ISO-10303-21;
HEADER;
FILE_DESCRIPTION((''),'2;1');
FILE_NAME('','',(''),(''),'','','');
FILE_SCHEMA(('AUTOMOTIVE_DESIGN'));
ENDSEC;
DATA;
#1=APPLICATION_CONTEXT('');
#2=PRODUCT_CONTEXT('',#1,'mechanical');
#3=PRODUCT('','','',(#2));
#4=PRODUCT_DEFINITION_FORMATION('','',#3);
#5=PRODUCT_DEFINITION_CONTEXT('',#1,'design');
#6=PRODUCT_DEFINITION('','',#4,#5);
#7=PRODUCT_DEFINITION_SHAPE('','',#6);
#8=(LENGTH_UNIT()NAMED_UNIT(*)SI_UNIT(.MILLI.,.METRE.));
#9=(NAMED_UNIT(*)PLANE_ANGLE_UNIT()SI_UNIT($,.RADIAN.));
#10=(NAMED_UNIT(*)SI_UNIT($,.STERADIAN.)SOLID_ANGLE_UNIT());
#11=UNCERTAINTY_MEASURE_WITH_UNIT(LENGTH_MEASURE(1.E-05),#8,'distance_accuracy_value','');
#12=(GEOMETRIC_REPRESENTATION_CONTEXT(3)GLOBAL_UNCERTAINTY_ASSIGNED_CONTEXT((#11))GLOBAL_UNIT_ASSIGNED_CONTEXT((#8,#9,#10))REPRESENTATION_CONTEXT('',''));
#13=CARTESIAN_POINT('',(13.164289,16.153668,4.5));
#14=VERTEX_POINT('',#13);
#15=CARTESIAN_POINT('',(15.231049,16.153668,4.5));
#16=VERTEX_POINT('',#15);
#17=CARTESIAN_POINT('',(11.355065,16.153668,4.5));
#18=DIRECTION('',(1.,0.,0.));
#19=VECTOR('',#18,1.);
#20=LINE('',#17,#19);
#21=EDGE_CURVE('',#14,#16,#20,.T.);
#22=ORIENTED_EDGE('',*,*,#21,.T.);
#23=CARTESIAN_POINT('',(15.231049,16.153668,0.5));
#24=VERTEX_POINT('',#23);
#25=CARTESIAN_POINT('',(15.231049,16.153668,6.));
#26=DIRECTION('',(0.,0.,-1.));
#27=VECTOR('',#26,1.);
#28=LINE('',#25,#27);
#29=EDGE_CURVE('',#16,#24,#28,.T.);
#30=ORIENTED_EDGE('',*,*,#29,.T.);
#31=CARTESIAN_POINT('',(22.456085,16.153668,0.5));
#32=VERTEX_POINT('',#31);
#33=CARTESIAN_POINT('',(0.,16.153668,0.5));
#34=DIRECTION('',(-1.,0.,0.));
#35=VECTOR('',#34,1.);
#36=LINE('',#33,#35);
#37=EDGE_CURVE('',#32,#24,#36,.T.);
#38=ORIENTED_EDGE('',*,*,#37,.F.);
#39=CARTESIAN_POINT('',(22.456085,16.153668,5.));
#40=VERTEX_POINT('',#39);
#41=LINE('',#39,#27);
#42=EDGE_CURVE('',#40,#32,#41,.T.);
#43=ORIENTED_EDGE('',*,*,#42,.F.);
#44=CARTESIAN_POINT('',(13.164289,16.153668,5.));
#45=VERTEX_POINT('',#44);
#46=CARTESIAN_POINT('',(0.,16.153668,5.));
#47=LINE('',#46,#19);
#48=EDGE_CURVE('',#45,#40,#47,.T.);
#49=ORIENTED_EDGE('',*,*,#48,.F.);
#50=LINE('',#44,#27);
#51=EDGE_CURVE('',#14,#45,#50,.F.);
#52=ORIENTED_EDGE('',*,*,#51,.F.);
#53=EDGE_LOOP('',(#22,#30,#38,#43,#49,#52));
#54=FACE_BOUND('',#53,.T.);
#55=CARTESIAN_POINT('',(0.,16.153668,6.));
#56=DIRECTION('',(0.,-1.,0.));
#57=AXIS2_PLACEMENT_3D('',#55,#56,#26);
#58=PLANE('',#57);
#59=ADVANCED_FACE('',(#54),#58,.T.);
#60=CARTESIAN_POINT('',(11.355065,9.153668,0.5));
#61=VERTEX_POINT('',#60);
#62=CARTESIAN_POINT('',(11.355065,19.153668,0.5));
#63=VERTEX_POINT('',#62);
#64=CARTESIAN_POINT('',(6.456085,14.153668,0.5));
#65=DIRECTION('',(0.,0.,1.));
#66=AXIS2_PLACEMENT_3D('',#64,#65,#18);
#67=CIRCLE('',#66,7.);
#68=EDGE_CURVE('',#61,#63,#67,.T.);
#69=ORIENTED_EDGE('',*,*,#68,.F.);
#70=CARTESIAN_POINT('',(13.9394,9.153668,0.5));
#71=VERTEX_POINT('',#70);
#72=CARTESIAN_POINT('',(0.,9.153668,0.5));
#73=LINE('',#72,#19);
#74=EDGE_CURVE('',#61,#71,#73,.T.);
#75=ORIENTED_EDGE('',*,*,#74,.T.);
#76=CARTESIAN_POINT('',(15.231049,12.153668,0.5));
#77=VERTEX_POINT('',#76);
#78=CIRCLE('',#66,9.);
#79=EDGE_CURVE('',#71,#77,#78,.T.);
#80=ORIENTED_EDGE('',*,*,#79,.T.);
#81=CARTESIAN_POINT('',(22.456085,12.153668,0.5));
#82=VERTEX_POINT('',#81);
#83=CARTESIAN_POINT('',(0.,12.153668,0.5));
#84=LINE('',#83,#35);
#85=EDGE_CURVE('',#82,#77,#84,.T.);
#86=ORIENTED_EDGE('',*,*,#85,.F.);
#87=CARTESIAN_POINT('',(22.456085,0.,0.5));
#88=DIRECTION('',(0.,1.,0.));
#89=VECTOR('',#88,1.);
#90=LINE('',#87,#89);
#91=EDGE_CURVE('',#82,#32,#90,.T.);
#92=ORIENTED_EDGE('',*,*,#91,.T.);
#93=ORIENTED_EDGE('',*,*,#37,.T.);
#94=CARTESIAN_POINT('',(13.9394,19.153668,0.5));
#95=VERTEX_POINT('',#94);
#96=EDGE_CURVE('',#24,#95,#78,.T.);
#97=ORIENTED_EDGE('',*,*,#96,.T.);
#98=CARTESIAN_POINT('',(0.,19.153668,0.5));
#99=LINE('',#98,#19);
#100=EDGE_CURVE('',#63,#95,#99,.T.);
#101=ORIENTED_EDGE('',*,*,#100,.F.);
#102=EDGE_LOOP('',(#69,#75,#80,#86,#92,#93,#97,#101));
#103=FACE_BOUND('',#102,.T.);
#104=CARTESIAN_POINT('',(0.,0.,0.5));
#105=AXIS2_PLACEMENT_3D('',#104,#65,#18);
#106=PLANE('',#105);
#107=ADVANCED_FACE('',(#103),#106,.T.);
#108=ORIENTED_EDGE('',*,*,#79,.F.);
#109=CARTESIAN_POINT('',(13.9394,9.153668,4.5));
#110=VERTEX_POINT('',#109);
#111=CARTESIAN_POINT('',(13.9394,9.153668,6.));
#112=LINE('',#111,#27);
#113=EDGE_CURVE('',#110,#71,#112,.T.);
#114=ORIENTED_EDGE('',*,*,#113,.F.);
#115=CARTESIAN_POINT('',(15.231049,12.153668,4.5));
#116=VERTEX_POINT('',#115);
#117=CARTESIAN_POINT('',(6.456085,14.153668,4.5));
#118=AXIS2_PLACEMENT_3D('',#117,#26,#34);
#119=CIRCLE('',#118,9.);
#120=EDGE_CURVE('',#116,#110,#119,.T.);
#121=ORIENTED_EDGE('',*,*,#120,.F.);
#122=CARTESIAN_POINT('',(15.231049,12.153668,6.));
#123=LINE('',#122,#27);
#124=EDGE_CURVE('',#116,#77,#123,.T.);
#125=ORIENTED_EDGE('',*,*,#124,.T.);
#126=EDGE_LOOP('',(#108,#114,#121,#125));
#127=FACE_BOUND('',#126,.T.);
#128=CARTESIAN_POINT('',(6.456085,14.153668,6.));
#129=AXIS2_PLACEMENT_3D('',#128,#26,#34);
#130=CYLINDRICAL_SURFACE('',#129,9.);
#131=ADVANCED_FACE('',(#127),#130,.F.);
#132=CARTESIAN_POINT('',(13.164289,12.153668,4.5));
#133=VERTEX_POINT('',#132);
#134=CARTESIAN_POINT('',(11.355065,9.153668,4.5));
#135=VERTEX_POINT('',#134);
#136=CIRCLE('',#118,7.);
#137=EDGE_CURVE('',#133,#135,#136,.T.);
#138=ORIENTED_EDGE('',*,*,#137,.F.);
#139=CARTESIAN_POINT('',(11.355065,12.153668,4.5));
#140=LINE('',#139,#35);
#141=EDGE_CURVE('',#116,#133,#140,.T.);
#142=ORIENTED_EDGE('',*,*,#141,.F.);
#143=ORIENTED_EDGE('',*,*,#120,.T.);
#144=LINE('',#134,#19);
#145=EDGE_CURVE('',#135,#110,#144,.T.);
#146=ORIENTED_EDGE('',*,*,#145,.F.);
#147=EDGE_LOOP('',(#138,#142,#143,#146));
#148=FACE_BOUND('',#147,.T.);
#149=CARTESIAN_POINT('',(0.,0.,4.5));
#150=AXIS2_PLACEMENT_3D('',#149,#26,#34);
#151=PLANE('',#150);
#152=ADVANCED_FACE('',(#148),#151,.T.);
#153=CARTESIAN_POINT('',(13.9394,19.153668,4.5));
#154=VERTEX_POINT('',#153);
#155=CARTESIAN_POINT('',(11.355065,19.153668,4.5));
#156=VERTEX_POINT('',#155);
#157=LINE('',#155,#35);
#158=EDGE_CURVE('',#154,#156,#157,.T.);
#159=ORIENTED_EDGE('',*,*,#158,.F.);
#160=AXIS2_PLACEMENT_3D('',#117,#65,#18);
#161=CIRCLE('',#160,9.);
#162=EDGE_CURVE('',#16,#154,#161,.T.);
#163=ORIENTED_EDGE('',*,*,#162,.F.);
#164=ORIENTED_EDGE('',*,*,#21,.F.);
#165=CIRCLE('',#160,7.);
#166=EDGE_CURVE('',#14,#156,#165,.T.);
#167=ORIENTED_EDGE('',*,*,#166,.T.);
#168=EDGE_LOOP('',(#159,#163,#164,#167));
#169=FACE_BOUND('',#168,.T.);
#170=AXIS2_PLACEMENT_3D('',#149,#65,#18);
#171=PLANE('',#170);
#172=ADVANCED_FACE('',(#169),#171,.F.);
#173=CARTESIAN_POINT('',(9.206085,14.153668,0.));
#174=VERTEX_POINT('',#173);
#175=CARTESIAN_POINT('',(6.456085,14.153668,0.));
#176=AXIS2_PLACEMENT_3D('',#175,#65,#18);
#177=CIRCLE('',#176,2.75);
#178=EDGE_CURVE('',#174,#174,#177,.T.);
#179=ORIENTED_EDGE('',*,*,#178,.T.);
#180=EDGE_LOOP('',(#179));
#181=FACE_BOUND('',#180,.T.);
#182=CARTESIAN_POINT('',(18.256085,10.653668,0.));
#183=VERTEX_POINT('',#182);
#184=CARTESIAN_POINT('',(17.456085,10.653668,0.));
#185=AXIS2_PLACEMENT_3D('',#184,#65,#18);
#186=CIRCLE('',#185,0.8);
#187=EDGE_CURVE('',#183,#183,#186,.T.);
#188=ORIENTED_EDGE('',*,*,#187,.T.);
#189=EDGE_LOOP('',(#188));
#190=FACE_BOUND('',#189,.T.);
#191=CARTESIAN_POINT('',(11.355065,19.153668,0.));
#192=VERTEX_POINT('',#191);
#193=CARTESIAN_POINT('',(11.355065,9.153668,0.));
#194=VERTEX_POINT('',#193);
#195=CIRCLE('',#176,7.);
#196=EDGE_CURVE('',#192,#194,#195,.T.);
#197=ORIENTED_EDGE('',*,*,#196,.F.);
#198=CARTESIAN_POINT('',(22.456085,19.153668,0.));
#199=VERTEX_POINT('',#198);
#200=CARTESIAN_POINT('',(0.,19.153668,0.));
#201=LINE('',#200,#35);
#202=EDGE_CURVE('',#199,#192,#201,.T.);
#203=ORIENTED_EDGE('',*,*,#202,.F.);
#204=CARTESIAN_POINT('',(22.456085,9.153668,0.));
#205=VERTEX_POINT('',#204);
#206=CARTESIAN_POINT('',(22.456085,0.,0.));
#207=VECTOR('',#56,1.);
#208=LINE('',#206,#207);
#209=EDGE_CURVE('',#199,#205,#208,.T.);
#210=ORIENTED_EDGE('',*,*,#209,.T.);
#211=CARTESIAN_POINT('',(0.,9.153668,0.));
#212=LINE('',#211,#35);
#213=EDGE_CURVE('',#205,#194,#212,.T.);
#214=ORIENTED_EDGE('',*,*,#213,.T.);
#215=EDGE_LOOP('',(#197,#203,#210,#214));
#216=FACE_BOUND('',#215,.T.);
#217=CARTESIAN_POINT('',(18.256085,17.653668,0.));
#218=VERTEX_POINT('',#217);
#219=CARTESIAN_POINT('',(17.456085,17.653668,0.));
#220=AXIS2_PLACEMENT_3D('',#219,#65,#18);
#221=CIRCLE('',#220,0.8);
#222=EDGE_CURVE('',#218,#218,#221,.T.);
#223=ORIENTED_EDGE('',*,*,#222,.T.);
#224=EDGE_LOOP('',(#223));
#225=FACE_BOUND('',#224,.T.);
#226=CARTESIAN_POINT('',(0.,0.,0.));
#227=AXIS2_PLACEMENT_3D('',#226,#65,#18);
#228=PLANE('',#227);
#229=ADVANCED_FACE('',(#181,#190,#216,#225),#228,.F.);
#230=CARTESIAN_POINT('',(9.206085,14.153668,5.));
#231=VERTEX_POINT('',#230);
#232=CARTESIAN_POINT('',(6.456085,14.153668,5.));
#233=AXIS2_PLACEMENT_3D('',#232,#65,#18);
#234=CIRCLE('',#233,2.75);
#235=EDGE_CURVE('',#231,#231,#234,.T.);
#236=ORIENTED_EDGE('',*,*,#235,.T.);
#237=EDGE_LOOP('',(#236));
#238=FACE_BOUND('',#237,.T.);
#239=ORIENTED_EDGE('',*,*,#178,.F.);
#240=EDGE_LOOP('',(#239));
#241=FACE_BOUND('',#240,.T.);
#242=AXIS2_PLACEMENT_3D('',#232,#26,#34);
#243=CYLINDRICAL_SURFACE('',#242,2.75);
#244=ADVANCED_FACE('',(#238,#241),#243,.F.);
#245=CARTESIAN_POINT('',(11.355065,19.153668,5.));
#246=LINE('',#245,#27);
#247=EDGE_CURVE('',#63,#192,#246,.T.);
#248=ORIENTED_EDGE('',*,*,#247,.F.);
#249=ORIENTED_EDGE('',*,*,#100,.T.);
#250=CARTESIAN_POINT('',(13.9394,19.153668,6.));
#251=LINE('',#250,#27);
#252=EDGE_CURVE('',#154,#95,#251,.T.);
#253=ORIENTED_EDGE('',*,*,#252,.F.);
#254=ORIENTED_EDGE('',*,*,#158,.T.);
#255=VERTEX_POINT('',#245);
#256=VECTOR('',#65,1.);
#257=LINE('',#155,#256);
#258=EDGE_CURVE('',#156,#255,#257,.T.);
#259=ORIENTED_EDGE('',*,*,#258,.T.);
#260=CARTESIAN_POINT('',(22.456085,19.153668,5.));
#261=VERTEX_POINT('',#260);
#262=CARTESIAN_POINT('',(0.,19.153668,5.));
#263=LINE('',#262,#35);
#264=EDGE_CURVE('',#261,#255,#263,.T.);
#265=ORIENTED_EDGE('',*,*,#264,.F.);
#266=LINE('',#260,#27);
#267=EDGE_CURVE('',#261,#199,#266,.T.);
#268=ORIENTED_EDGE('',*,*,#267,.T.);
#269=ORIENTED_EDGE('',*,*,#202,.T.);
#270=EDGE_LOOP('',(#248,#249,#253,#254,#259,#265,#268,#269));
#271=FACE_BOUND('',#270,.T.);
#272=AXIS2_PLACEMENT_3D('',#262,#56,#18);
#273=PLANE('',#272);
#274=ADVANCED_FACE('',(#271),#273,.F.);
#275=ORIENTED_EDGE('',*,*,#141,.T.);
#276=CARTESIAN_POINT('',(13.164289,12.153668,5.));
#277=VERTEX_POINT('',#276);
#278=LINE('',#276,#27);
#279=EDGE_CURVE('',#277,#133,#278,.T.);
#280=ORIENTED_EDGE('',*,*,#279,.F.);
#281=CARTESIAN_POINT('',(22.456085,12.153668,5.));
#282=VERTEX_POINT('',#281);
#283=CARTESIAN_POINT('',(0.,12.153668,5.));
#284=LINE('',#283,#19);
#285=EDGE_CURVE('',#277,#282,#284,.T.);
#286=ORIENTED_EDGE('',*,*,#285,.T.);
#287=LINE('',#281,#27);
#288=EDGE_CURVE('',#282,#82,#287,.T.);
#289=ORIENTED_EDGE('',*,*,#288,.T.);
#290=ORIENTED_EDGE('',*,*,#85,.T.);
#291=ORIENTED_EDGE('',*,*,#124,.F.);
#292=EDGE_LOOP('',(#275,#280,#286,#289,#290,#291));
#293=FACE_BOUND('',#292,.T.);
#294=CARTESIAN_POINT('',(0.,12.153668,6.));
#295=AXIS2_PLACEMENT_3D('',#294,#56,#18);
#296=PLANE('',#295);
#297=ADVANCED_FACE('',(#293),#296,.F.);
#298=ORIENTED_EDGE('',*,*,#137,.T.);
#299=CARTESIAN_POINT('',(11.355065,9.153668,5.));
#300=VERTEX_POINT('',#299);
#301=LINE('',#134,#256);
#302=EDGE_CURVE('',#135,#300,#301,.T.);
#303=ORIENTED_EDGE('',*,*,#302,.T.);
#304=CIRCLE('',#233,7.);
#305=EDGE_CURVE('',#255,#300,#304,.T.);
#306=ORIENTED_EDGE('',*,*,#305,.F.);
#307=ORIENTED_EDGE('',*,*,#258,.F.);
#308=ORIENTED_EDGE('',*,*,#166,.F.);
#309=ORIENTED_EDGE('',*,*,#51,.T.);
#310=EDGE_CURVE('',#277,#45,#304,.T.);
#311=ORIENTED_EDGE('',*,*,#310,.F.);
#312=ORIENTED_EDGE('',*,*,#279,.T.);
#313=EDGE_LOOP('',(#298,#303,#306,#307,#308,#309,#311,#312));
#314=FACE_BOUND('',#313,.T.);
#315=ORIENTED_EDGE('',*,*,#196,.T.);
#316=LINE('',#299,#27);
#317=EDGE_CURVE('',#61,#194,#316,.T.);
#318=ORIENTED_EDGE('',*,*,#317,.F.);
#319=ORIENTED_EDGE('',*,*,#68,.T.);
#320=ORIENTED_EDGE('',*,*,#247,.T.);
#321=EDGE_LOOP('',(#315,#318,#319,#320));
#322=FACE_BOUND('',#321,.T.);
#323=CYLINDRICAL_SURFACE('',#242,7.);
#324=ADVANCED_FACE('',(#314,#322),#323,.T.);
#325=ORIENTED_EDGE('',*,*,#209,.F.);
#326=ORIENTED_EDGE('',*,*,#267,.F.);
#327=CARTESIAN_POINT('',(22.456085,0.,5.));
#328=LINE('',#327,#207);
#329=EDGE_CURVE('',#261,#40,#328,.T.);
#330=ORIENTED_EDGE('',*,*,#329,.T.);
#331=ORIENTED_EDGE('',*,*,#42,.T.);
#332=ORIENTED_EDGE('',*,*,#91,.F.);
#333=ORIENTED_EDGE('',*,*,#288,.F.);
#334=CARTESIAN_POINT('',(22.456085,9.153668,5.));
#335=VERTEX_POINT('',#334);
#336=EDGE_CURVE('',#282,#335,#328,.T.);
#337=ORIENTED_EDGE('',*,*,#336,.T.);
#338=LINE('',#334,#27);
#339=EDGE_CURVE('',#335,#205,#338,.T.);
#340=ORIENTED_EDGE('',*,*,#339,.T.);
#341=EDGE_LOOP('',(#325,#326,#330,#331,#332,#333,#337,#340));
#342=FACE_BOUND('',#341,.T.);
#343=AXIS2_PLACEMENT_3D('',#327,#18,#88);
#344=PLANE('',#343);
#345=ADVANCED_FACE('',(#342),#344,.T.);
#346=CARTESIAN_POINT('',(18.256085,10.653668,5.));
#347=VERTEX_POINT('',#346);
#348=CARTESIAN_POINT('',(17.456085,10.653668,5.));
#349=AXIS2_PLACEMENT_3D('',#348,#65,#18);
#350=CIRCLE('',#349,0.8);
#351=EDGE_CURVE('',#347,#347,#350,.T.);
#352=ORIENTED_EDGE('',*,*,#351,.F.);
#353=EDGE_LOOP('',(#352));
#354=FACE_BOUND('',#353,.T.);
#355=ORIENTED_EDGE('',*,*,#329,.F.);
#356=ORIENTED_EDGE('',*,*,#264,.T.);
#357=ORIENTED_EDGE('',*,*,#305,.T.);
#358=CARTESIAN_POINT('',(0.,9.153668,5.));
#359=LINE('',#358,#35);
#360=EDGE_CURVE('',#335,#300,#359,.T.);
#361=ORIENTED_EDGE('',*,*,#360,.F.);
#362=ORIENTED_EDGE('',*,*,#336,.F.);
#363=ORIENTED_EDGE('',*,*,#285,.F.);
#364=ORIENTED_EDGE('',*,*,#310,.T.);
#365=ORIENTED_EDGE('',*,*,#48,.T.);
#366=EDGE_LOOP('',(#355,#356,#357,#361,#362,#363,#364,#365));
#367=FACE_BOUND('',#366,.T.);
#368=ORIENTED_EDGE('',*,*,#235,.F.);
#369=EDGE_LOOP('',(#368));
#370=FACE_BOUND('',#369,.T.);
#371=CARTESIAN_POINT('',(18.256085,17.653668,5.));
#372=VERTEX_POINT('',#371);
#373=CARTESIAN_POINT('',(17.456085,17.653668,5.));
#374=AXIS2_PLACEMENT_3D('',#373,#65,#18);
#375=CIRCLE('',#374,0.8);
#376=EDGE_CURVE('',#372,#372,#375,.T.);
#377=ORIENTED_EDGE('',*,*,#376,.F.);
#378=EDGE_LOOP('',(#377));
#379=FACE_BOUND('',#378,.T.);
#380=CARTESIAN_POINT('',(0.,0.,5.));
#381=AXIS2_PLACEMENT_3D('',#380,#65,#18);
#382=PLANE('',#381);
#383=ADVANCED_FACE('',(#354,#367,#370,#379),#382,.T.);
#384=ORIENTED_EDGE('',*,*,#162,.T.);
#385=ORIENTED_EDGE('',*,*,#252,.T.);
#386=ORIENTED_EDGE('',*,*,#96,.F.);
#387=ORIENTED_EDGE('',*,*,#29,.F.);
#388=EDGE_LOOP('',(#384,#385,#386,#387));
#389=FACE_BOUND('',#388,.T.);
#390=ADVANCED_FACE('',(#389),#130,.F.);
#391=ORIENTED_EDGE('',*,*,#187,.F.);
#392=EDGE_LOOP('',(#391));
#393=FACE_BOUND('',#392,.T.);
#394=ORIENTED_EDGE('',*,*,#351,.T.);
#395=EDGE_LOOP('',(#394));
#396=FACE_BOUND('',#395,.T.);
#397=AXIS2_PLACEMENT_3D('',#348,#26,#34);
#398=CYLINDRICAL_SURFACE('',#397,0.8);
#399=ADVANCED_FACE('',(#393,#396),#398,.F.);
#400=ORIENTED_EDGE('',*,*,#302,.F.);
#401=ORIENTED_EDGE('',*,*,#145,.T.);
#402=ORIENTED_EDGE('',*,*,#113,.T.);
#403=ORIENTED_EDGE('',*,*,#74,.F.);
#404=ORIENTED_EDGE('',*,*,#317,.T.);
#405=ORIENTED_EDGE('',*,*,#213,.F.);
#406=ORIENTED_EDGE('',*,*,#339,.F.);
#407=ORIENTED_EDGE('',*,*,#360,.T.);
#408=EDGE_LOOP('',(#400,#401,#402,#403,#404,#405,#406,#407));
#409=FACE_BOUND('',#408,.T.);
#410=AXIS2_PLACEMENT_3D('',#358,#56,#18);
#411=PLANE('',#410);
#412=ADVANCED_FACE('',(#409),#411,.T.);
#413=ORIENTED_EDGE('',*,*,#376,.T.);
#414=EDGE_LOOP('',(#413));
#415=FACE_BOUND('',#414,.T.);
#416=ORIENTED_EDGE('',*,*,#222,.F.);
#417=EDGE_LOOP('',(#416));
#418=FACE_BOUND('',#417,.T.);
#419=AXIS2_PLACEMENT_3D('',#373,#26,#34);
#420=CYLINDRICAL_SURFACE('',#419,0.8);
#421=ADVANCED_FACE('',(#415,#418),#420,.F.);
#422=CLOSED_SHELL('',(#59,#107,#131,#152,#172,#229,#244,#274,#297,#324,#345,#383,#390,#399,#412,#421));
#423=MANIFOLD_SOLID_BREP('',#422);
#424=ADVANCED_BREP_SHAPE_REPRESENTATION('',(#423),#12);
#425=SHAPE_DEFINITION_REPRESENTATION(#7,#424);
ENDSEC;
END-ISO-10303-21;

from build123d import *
from build123d.topology import SkipClean

# Parameters (mm, degrees)
BOSS_EXTRUDE1_DEPTH = 5
SKETCH3_R           = 2.75
JOINT_HOLE_DEPTH    = 32.253054869
CUT_EXTRUDE2_START  = 0.5
CUT_EXTRUDE2_DEPTH  = 5.5
SKETCH7_R           = 0.8
SCREW_HOLES_DEPTH   = 32.253054869
BOSS_EXTRUDE2_START = 5
SKETCH10_W          = 3.875984902
SKETCH10_H          = 3
BOSS_EXTRUDE2_DEPTH = 0.5


with BuildPart() as part:
    # Sketch1 → Boss-Extrude1 (new body)
    with BuildSketch(Plane.XY):
        with BuildLine():
            Line((22.456085085, 19.15366827), (11.355064571, 19.15366827))
            ThreePointArc((11.355064571, 19.15366827), (-0.543914915, 14.15366827), (11.355064571, 9.15366827))
            Line((11.355064571, 9.15366827), (22.456085085, 9.15366827))
            Line((22.456085085, 9.15366827), (22.456085085, 19.15366827))
        make_face()
    extrude(amount=BOSS_EXTRUDE1_DEPTH)

    # Sketch3 → Joint Hole (cut, through all)
    with BuildSketch(Plane.XY):
        with Locations((6.456085085, 14.15366827)):
            Circle(SKETCH3_R)
    extrude(amount=JOINT_HOLE_DEPTH, mode=Mode.SUBTRACT)

    # Sketch8 → Cut-Extrude2 (cut)
    with SkipClean():  # the faces are left unmerged after this step: merging them gives an invalid solid
        with BuildSketch(Plane.XY.offset(CUT_EXTRUDE2_START)):
            with BuildLine():
                Line((22.456085085, 16.15366827), (15.231049473, 16.15366827))
                ThreePointArc((15.231049473, 16.15366827), (14.722457344, 17.712753782), (13.939399859, 19.15366827))
                Line((13.939399859, 19.15366827), (11.355064571, 19.15366827))
                ThreePointArc((11.355064571, 19.15366827), (13.456085085, 14.15366827), (11.355064571, 9.15366827))
                Line((11.355064571, 9.15366827), (13.939399859, 9.15366827))
                ThreePointArc((13.939399859, 9.15366827), (14.722457344, 10.594582758), (15.231049473, 12.15366827))
                Line((15.231049473, 12.15366827), (22.456085085, 12.15366827))
                Line((22.456085085, 12.15366827), (22.456085085, 16.15366827))
            make_face()
        extrude(amount=CUT_EXTRUDE2_DEPTH, mode=Mode.SUBTRACT)

    # Sketch7 → Screw Holes (cut, through all)
    with SkipClean():  # the faces are left unmerged after this step: merging them gives an invalid solid
        with BuildSketch(Plane.XY):
            with Locations((17.456085085, 17.65366827)):
                Circle(SKETCH7_R)
            with Locations((17.456085085, 10.65366827)):
                Circle(SKETCH7_R)
        extrude(amount=SCREW_HOLES_DEPTH, mode=Mode.SUBTRACT)

    # Sketch10 → Boss-Extrude2 (add)
    with SkipClean():  # the faces are left unmerged after this step: merging them gives an invalid solid
        with BuildSketch(Plane.XY.offset(BOSS_EXTRUDE2_START)):
            with Locations((13.293057022, 17.65366827)):
                Rectangle(SKETCH10_W, SKETCH10_H)
            with Locations((13.293057022, 10.65366827)):
                Rectangle(SKETCH10_W, SKETCH10_H)
        extrude(amount=-BOSS_EXTRUDE2_DEPTH)


solid = part.part
